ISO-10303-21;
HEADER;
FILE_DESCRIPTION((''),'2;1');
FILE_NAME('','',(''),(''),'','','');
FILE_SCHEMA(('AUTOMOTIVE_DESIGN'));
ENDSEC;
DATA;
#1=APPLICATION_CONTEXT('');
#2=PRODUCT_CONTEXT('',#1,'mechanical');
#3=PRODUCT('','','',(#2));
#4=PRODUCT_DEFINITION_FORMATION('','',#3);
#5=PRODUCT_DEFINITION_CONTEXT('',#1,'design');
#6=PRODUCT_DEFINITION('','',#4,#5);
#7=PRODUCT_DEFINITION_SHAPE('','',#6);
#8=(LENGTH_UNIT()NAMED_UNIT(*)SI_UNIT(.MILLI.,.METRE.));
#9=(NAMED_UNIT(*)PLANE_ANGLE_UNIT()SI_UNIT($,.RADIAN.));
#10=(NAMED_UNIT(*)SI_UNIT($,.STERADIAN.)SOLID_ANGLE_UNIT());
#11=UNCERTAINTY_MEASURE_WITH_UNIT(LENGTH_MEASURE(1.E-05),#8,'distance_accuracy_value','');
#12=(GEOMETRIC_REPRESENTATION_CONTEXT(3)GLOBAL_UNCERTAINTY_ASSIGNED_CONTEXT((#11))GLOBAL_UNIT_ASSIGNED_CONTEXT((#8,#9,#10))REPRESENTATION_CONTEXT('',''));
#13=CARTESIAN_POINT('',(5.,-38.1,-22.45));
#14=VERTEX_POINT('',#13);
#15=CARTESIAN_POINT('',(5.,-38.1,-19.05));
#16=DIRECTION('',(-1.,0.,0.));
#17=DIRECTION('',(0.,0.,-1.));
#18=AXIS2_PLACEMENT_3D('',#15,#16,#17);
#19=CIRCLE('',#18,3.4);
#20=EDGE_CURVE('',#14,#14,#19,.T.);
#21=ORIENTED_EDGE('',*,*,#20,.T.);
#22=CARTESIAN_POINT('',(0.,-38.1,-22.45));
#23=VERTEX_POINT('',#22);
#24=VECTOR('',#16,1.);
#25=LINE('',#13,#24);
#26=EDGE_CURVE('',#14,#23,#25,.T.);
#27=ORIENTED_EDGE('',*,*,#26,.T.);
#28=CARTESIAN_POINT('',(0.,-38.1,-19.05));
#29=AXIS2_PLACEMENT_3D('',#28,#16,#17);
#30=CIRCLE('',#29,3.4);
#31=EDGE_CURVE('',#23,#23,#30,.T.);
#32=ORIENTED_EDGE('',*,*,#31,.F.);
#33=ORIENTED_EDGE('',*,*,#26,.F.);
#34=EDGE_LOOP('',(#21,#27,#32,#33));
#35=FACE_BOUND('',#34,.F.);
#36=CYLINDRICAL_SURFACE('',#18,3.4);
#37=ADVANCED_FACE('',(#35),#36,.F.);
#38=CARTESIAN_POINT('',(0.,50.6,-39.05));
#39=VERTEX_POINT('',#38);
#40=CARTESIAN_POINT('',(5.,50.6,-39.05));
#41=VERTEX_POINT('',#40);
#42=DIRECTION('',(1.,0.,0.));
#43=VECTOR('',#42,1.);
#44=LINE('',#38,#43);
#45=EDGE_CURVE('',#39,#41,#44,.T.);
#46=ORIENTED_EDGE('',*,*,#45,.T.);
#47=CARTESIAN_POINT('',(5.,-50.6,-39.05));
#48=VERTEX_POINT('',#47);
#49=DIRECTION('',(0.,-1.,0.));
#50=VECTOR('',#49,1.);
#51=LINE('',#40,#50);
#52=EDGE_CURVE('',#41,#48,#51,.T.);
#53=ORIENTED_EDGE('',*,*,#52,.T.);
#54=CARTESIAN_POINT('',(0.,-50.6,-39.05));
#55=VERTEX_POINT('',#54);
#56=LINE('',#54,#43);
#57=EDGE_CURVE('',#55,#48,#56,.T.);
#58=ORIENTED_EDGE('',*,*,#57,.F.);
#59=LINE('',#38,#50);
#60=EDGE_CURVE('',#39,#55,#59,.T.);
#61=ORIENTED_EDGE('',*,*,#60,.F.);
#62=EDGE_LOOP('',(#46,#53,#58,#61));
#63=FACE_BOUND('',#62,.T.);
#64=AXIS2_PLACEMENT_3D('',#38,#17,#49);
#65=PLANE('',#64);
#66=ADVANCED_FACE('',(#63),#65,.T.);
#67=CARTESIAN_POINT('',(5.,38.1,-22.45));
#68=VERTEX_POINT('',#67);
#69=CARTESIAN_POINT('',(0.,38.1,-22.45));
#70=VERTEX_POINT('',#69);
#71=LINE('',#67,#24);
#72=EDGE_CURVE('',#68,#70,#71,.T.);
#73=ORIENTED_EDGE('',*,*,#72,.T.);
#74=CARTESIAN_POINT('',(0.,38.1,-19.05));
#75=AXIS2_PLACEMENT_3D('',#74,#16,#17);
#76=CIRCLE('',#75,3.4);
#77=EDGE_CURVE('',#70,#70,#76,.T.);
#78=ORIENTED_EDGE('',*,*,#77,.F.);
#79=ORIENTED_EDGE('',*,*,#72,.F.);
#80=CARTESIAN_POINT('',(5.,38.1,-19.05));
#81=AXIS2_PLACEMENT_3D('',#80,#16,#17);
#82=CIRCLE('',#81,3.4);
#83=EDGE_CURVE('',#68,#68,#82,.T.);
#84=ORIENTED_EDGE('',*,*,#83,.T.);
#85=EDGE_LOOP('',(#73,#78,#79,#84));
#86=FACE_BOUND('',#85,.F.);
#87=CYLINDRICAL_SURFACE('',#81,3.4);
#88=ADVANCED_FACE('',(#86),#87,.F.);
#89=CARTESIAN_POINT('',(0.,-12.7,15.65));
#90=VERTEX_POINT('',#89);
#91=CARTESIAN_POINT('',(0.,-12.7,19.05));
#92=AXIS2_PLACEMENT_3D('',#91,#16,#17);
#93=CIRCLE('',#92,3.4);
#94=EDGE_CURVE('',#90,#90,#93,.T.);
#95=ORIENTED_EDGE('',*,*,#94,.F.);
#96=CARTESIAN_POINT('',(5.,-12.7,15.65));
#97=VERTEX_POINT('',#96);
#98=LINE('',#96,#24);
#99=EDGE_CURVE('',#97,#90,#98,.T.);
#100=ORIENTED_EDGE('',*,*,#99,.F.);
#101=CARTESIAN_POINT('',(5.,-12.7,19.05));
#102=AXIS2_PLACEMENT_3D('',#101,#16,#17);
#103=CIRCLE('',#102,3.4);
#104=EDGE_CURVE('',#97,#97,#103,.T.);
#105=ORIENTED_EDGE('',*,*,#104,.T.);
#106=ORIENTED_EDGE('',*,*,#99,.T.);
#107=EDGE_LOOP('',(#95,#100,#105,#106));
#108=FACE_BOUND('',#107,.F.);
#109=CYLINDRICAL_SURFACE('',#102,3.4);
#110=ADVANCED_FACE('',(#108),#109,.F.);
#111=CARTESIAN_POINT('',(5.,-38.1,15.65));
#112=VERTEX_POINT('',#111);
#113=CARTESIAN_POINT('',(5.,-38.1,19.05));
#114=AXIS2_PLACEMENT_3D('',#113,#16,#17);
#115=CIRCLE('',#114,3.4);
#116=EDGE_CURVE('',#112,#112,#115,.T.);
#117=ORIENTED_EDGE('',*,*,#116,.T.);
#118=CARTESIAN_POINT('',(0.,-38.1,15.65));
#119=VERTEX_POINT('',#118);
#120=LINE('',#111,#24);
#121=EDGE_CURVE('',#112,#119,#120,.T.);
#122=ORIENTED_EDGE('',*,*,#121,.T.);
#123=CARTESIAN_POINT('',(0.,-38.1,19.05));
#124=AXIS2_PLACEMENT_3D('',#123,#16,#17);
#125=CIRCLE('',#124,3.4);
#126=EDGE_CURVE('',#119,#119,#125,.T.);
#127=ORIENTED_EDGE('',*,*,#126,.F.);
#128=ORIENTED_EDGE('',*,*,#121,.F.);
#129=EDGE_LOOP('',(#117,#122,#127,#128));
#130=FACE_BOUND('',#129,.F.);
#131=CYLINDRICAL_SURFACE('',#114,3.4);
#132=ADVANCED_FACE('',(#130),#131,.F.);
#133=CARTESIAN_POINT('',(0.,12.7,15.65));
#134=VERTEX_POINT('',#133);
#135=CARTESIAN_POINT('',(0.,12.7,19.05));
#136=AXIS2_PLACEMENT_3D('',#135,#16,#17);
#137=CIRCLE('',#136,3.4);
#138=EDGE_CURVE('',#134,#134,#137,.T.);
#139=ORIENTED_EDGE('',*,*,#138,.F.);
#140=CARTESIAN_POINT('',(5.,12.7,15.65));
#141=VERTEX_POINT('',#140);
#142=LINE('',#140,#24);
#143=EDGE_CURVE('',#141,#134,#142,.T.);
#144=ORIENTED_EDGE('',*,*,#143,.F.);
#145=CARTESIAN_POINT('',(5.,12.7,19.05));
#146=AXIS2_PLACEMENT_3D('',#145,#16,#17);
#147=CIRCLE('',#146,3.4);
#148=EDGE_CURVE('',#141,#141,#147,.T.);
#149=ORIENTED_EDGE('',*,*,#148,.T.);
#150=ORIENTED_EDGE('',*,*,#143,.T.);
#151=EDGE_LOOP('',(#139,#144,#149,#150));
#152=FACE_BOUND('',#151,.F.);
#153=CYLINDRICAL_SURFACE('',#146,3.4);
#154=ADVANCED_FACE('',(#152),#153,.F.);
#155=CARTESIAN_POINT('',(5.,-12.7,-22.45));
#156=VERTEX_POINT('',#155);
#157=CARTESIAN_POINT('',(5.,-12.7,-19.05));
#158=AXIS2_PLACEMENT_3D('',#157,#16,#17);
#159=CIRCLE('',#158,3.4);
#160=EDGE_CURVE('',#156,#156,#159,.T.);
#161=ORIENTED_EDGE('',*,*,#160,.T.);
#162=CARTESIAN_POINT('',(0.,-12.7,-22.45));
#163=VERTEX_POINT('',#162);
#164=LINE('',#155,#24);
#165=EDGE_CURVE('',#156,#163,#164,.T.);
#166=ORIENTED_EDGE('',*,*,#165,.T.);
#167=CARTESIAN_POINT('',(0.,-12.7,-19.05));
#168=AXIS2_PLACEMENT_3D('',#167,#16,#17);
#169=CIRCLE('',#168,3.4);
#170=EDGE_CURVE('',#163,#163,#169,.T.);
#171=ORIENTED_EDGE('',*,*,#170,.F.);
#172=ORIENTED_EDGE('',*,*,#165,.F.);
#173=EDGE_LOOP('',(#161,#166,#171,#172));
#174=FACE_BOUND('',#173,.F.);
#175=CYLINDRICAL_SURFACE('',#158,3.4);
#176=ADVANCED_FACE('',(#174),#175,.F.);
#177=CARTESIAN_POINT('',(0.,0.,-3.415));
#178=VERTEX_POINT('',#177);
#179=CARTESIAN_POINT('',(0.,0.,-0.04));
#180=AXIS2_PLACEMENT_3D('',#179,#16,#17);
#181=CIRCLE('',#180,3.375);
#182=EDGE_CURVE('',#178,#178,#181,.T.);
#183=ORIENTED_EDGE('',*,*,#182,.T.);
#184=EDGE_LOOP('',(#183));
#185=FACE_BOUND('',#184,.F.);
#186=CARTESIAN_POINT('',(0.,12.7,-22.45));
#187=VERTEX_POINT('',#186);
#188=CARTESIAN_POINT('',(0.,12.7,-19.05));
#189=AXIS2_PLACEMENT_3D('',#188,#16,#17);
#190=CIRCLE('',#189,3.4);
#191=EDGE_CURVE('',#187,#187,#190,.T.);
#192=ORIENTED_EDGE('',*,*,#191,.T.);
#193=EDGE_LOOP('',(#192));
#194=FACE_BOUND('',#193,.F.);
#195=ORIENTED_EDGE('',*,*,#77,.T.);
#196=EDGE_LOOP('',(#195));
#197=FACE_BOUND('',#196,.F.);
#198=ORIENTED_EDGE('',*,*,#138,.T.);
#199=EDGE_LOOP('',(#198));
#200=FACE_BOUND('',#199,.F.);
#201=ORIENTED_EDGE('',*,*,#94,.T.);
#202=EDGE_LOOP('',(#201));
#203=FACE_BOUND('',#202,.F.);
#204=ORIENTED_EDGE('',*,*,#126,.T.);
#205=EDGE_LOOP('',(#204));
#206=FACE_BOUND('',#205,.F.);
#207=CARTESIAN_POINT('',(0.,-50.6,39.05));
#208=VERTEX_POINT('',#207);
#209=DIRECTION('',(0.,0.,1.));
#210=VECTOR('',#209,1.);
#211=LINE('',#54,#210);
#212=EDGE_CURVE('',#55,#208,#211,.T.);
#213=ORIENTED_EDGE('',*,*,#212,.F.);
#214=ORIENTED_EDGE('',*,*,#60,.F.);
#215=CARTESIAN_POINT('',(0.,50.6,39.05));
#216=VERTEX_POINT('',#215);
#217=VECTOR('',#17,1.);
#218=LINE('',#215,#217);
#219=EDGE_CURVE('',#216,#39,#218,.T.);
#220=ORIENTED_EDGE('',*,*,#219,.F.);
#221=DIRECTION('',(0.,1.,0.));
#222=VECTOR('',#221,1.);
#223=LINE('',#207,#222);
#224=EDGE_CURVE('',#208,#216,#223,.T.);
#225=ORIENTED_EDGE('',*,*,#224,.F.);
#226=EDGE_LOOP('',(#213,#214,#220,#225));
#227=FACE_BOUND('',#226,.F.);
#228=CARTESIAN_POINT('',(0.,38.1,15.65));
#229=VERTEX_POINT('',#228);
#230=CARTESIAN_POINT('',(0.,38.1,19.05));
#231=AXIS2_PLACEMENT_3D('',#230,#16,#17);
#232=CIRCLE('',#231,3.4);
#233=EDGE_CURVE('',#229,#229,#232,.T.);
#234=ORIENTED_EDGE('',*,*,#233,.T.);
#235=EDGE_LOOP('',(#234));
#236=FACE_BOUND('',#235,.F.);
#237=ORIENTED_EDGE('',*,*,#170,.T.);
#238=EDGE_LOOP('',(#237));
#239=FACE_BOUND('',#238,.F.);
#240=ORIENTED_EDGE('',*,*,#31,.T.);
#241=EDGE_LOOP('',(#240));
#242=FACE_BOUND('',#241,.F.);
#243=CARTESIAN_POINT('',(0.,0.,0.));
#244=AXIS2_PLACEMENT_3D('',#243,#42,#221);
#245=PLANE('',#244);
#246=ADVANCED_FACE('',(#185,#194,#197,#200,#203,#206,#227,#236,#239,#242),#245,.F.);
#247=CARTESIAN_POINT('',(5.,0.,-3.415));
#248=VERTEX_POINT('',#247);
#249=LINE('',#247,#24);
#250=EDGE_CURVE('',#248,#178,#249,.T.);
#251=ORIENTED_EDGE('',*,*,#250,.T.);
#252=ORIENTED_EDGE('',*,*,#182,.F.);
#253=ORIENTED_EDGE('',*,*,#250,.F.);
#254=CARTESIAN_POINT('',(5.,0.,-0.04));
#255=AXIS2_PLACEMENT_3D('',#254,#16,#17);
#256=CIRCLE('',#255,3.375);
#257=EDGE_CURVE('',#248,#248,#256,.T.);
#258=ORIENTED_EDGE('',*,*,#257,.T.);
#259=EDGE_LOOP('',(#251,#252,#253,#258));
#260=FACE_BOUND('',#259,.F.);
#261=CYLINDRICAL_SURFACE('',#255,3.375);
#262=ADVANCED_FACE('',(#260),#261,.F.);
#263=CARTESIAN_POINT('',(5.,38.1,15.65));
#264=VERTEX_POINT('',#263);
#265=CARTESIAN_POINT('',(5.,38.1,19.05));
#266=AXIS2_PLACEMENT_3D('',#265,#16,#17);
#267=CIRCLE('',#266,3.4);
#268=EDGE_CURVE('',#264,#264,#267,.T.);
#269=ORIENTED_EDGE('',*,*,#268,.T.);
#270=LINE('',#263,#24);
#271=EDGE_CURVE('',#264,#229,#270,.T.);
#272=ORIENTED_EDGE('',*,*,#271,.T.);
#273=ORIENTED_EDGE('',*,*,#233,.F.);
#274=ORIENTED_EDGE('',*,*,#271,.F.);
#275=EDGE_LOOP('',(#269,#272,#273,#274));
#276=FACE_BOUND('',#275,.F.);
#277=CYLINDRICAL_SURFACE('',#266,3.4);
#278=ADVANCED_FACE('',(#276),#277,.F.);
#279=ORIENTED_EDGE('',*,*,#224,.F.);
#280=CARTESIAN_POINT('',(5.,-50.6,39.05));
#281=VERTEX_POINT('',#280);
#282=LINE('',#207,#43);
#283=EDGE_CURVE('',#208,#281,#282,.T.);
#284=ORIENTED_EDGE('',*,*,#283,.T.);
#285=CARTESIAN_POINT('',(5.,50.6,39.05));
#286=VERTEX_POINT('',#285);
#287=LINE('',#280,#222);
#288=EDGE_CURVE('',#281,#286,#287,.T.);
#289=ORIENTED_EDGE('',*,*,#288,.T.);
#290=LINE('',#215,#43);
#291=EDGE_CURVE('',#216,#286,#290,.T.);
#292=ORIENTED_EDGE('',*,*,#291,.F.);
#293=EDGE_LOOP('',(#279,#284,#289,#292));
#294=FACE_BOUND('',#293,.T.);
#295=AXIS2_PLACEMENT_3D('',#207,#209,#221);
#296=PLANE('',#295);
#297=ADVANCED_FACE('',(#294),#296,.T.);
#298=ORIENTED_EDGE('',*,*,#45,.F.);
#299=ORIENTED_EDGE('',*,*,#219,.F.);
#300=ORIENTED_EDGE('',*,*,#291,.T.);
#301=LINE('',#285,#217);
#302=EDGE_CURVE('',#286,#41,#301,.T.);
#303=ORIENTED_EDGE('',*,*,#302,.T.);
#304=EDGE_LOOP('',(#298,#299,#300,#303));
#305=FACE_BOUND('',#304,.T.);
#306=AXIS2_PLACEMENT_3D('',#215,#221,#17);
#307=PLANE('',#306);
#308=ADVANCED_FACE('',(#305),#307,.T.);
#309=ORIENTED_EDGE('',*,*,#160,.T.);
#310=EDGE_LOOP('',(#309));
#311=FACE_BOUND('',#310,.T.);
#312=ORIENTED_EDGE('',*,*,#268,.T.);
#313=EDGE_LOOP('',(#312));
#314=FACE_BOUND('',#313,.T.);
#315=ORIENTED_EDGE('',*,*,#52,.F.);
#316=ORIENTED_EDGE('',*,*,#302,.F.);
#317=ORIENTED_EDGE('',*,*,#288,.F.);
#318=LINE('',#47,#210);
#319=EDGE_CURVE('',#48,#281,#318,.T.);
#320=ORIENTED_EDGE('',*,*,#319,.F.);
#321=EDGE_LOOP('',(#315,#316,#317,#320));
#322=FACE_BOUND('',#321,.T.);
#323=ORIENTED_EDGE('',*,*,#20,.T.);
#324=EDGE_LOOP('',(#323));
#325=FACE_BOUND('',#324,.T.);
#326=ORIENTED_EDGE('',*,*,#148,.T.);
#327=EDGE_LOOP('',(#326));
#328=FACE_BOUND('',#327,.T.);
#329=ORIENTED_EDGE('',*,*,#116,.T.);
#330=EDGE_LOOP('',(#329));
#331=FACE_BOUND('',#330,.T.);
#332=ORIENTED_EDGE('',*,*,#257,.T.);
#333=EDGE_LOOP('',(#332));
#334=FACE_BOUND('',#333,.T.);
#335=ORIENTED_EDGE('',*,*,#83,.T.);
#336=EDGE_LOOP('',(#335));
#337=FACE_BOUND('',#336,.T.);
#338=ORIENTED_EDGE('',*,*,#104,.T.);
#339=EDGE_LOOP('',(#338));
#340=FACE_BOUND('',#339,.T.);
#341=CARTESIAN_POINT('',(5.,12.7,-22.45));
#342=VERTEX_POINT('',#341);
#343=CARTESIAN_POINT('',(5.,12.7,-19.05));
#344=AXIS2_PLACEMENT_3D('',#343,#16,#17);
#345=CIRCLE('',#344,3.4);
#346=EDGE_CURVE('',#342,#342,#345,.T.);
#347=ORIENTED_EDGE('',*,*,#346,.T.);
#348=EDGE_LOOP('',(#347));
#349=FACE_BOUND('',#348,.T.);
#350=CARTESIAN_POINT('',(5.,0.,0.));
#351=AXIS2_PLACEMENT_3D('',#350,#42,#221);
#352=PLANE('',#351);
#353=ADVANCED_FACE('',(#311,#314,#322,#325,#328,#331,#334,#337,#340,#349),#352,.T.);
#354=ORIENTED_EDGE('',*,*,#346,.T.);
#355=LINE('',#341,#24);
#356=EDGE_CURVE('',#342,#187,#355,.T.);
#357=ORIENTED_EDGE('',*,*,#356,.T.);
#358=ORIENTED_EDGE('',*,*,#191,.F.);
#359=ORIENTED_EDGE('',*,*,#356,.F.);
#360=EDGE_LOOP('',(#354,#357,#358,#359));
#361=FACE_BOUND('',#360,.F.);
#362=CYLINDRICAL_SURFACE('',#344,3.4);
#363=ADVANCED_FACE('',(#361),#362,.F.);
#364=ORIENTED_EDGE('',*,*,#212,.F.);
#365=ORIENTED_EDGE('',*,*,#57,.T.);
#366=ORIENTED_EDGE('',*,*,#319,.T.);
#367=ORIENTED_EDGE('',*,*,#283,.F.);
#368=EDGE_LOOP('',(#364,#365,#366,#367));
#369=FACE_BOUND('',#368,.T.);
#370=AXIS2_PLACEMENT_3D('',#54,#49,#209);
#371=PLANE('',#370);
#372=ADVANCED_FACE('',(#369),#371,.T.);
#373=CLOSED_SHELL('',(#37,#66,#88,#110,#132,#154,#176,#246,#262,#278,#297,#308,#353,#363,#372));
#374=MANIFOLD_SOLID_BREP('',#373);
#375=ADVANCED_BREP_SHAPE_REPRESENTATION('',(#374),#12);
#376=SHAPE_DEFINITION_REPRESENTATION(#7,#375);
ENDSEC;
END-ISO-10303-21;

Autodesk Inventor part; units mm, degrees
ref_plane "YZ Plane" through (0, 0, 0) normal (1, 0, 0) x (0, 1, 0)
ref_plane "XZ Plane" through (0, 0, 0) normal (0, 1, 0) x (-1, 0, 0)
ref_plane "XY Plane" through (0, 0, 0) normal (0, 0, 1) x (1, 0, 0)
sketch "Sketch5" plane through (0, 0, 0) normal (1, 0, 0) x (0, 1, 0)
  line L0 (50.6, -39.05) -> (-50.6, -39.05)
  line L1 (-50.6, -39.05) -> (-50.6, 39.05)
  line L2 (-50.6, 39.05) -> (50.6, 39.05)
  line L3 (50.6, 39.05) -> (50.6, -39.05)
  line L4 (50.6, -39.05) -> (-50.6, 39.05) construction
  line L5 (-50.6, -39.05) -> (50.6, 39.05) construction
  point P0 (0, 0)
  dimension "d31" = 78.1
  dimension "d32" = 101.2
extrude "Extrusion2" add sketch "Sketch5" along normal blind 5
sketch "Sketch10" plane through (5, 0, 0) normal (1, 0, 0) x (0, 0, -1)
  line L0 (39.05, 50.6) -> (-39.05, 50.6) projected
  line L1 (39.05, -50.6) -> (39.05, 50.6) projected
  point P0 (0, 0)
  point P1 (19.05, 38.1)
  dimension "d93" = 12.5
  dimension "d103" = 20
hole "Hole8" at (5, 38.1, -19.05) direction (-1, 0, 0) diameter 6.8 end through all
sketch "Sketch11" plane through (5, 0, 0) normal (1, 0, 0) x (0, 0, -1)
  circle A0 centre (19.05, 38.1) radius 3.4 projected
  point P0 (0, 0)
  point P1 (-19.05, 38.1)
  dimension "d85" = 38.1
  dimension "d86" = 0
hole "Hole9" at (5, 38.1, 19.05) direction (-1, 0, 0) diameter 6.8 end through all
pattern_linear "Rectangular Pattern1" count 6 spacing 25.4 along (0, -1, 0) of "Hole8"
pattern_linear "Rectangular Pattern2" count 6 spacing 25.4 along (0, -1, 0) of "Hole9"
sketch "Sketch12" plane through (5, 0, 0) normal (1, 0, 0) x (0, 0, -1)
  line L0 (39.05, -50.6) -> (39.05, 50.6) projected
  line L1 (-39.05, -50.6) -> (39.05, -50.6) projected
  point P0 (0, 0)
  point P1 (0.04, 0)
  dimension "d101" = 39.01
  dimension "d102" = 50.6
hole "Hole10" at (5, 0, -0.04) direction (-1, 0, 0) diameter 6.75 end through all
properties part number "base_plate"
